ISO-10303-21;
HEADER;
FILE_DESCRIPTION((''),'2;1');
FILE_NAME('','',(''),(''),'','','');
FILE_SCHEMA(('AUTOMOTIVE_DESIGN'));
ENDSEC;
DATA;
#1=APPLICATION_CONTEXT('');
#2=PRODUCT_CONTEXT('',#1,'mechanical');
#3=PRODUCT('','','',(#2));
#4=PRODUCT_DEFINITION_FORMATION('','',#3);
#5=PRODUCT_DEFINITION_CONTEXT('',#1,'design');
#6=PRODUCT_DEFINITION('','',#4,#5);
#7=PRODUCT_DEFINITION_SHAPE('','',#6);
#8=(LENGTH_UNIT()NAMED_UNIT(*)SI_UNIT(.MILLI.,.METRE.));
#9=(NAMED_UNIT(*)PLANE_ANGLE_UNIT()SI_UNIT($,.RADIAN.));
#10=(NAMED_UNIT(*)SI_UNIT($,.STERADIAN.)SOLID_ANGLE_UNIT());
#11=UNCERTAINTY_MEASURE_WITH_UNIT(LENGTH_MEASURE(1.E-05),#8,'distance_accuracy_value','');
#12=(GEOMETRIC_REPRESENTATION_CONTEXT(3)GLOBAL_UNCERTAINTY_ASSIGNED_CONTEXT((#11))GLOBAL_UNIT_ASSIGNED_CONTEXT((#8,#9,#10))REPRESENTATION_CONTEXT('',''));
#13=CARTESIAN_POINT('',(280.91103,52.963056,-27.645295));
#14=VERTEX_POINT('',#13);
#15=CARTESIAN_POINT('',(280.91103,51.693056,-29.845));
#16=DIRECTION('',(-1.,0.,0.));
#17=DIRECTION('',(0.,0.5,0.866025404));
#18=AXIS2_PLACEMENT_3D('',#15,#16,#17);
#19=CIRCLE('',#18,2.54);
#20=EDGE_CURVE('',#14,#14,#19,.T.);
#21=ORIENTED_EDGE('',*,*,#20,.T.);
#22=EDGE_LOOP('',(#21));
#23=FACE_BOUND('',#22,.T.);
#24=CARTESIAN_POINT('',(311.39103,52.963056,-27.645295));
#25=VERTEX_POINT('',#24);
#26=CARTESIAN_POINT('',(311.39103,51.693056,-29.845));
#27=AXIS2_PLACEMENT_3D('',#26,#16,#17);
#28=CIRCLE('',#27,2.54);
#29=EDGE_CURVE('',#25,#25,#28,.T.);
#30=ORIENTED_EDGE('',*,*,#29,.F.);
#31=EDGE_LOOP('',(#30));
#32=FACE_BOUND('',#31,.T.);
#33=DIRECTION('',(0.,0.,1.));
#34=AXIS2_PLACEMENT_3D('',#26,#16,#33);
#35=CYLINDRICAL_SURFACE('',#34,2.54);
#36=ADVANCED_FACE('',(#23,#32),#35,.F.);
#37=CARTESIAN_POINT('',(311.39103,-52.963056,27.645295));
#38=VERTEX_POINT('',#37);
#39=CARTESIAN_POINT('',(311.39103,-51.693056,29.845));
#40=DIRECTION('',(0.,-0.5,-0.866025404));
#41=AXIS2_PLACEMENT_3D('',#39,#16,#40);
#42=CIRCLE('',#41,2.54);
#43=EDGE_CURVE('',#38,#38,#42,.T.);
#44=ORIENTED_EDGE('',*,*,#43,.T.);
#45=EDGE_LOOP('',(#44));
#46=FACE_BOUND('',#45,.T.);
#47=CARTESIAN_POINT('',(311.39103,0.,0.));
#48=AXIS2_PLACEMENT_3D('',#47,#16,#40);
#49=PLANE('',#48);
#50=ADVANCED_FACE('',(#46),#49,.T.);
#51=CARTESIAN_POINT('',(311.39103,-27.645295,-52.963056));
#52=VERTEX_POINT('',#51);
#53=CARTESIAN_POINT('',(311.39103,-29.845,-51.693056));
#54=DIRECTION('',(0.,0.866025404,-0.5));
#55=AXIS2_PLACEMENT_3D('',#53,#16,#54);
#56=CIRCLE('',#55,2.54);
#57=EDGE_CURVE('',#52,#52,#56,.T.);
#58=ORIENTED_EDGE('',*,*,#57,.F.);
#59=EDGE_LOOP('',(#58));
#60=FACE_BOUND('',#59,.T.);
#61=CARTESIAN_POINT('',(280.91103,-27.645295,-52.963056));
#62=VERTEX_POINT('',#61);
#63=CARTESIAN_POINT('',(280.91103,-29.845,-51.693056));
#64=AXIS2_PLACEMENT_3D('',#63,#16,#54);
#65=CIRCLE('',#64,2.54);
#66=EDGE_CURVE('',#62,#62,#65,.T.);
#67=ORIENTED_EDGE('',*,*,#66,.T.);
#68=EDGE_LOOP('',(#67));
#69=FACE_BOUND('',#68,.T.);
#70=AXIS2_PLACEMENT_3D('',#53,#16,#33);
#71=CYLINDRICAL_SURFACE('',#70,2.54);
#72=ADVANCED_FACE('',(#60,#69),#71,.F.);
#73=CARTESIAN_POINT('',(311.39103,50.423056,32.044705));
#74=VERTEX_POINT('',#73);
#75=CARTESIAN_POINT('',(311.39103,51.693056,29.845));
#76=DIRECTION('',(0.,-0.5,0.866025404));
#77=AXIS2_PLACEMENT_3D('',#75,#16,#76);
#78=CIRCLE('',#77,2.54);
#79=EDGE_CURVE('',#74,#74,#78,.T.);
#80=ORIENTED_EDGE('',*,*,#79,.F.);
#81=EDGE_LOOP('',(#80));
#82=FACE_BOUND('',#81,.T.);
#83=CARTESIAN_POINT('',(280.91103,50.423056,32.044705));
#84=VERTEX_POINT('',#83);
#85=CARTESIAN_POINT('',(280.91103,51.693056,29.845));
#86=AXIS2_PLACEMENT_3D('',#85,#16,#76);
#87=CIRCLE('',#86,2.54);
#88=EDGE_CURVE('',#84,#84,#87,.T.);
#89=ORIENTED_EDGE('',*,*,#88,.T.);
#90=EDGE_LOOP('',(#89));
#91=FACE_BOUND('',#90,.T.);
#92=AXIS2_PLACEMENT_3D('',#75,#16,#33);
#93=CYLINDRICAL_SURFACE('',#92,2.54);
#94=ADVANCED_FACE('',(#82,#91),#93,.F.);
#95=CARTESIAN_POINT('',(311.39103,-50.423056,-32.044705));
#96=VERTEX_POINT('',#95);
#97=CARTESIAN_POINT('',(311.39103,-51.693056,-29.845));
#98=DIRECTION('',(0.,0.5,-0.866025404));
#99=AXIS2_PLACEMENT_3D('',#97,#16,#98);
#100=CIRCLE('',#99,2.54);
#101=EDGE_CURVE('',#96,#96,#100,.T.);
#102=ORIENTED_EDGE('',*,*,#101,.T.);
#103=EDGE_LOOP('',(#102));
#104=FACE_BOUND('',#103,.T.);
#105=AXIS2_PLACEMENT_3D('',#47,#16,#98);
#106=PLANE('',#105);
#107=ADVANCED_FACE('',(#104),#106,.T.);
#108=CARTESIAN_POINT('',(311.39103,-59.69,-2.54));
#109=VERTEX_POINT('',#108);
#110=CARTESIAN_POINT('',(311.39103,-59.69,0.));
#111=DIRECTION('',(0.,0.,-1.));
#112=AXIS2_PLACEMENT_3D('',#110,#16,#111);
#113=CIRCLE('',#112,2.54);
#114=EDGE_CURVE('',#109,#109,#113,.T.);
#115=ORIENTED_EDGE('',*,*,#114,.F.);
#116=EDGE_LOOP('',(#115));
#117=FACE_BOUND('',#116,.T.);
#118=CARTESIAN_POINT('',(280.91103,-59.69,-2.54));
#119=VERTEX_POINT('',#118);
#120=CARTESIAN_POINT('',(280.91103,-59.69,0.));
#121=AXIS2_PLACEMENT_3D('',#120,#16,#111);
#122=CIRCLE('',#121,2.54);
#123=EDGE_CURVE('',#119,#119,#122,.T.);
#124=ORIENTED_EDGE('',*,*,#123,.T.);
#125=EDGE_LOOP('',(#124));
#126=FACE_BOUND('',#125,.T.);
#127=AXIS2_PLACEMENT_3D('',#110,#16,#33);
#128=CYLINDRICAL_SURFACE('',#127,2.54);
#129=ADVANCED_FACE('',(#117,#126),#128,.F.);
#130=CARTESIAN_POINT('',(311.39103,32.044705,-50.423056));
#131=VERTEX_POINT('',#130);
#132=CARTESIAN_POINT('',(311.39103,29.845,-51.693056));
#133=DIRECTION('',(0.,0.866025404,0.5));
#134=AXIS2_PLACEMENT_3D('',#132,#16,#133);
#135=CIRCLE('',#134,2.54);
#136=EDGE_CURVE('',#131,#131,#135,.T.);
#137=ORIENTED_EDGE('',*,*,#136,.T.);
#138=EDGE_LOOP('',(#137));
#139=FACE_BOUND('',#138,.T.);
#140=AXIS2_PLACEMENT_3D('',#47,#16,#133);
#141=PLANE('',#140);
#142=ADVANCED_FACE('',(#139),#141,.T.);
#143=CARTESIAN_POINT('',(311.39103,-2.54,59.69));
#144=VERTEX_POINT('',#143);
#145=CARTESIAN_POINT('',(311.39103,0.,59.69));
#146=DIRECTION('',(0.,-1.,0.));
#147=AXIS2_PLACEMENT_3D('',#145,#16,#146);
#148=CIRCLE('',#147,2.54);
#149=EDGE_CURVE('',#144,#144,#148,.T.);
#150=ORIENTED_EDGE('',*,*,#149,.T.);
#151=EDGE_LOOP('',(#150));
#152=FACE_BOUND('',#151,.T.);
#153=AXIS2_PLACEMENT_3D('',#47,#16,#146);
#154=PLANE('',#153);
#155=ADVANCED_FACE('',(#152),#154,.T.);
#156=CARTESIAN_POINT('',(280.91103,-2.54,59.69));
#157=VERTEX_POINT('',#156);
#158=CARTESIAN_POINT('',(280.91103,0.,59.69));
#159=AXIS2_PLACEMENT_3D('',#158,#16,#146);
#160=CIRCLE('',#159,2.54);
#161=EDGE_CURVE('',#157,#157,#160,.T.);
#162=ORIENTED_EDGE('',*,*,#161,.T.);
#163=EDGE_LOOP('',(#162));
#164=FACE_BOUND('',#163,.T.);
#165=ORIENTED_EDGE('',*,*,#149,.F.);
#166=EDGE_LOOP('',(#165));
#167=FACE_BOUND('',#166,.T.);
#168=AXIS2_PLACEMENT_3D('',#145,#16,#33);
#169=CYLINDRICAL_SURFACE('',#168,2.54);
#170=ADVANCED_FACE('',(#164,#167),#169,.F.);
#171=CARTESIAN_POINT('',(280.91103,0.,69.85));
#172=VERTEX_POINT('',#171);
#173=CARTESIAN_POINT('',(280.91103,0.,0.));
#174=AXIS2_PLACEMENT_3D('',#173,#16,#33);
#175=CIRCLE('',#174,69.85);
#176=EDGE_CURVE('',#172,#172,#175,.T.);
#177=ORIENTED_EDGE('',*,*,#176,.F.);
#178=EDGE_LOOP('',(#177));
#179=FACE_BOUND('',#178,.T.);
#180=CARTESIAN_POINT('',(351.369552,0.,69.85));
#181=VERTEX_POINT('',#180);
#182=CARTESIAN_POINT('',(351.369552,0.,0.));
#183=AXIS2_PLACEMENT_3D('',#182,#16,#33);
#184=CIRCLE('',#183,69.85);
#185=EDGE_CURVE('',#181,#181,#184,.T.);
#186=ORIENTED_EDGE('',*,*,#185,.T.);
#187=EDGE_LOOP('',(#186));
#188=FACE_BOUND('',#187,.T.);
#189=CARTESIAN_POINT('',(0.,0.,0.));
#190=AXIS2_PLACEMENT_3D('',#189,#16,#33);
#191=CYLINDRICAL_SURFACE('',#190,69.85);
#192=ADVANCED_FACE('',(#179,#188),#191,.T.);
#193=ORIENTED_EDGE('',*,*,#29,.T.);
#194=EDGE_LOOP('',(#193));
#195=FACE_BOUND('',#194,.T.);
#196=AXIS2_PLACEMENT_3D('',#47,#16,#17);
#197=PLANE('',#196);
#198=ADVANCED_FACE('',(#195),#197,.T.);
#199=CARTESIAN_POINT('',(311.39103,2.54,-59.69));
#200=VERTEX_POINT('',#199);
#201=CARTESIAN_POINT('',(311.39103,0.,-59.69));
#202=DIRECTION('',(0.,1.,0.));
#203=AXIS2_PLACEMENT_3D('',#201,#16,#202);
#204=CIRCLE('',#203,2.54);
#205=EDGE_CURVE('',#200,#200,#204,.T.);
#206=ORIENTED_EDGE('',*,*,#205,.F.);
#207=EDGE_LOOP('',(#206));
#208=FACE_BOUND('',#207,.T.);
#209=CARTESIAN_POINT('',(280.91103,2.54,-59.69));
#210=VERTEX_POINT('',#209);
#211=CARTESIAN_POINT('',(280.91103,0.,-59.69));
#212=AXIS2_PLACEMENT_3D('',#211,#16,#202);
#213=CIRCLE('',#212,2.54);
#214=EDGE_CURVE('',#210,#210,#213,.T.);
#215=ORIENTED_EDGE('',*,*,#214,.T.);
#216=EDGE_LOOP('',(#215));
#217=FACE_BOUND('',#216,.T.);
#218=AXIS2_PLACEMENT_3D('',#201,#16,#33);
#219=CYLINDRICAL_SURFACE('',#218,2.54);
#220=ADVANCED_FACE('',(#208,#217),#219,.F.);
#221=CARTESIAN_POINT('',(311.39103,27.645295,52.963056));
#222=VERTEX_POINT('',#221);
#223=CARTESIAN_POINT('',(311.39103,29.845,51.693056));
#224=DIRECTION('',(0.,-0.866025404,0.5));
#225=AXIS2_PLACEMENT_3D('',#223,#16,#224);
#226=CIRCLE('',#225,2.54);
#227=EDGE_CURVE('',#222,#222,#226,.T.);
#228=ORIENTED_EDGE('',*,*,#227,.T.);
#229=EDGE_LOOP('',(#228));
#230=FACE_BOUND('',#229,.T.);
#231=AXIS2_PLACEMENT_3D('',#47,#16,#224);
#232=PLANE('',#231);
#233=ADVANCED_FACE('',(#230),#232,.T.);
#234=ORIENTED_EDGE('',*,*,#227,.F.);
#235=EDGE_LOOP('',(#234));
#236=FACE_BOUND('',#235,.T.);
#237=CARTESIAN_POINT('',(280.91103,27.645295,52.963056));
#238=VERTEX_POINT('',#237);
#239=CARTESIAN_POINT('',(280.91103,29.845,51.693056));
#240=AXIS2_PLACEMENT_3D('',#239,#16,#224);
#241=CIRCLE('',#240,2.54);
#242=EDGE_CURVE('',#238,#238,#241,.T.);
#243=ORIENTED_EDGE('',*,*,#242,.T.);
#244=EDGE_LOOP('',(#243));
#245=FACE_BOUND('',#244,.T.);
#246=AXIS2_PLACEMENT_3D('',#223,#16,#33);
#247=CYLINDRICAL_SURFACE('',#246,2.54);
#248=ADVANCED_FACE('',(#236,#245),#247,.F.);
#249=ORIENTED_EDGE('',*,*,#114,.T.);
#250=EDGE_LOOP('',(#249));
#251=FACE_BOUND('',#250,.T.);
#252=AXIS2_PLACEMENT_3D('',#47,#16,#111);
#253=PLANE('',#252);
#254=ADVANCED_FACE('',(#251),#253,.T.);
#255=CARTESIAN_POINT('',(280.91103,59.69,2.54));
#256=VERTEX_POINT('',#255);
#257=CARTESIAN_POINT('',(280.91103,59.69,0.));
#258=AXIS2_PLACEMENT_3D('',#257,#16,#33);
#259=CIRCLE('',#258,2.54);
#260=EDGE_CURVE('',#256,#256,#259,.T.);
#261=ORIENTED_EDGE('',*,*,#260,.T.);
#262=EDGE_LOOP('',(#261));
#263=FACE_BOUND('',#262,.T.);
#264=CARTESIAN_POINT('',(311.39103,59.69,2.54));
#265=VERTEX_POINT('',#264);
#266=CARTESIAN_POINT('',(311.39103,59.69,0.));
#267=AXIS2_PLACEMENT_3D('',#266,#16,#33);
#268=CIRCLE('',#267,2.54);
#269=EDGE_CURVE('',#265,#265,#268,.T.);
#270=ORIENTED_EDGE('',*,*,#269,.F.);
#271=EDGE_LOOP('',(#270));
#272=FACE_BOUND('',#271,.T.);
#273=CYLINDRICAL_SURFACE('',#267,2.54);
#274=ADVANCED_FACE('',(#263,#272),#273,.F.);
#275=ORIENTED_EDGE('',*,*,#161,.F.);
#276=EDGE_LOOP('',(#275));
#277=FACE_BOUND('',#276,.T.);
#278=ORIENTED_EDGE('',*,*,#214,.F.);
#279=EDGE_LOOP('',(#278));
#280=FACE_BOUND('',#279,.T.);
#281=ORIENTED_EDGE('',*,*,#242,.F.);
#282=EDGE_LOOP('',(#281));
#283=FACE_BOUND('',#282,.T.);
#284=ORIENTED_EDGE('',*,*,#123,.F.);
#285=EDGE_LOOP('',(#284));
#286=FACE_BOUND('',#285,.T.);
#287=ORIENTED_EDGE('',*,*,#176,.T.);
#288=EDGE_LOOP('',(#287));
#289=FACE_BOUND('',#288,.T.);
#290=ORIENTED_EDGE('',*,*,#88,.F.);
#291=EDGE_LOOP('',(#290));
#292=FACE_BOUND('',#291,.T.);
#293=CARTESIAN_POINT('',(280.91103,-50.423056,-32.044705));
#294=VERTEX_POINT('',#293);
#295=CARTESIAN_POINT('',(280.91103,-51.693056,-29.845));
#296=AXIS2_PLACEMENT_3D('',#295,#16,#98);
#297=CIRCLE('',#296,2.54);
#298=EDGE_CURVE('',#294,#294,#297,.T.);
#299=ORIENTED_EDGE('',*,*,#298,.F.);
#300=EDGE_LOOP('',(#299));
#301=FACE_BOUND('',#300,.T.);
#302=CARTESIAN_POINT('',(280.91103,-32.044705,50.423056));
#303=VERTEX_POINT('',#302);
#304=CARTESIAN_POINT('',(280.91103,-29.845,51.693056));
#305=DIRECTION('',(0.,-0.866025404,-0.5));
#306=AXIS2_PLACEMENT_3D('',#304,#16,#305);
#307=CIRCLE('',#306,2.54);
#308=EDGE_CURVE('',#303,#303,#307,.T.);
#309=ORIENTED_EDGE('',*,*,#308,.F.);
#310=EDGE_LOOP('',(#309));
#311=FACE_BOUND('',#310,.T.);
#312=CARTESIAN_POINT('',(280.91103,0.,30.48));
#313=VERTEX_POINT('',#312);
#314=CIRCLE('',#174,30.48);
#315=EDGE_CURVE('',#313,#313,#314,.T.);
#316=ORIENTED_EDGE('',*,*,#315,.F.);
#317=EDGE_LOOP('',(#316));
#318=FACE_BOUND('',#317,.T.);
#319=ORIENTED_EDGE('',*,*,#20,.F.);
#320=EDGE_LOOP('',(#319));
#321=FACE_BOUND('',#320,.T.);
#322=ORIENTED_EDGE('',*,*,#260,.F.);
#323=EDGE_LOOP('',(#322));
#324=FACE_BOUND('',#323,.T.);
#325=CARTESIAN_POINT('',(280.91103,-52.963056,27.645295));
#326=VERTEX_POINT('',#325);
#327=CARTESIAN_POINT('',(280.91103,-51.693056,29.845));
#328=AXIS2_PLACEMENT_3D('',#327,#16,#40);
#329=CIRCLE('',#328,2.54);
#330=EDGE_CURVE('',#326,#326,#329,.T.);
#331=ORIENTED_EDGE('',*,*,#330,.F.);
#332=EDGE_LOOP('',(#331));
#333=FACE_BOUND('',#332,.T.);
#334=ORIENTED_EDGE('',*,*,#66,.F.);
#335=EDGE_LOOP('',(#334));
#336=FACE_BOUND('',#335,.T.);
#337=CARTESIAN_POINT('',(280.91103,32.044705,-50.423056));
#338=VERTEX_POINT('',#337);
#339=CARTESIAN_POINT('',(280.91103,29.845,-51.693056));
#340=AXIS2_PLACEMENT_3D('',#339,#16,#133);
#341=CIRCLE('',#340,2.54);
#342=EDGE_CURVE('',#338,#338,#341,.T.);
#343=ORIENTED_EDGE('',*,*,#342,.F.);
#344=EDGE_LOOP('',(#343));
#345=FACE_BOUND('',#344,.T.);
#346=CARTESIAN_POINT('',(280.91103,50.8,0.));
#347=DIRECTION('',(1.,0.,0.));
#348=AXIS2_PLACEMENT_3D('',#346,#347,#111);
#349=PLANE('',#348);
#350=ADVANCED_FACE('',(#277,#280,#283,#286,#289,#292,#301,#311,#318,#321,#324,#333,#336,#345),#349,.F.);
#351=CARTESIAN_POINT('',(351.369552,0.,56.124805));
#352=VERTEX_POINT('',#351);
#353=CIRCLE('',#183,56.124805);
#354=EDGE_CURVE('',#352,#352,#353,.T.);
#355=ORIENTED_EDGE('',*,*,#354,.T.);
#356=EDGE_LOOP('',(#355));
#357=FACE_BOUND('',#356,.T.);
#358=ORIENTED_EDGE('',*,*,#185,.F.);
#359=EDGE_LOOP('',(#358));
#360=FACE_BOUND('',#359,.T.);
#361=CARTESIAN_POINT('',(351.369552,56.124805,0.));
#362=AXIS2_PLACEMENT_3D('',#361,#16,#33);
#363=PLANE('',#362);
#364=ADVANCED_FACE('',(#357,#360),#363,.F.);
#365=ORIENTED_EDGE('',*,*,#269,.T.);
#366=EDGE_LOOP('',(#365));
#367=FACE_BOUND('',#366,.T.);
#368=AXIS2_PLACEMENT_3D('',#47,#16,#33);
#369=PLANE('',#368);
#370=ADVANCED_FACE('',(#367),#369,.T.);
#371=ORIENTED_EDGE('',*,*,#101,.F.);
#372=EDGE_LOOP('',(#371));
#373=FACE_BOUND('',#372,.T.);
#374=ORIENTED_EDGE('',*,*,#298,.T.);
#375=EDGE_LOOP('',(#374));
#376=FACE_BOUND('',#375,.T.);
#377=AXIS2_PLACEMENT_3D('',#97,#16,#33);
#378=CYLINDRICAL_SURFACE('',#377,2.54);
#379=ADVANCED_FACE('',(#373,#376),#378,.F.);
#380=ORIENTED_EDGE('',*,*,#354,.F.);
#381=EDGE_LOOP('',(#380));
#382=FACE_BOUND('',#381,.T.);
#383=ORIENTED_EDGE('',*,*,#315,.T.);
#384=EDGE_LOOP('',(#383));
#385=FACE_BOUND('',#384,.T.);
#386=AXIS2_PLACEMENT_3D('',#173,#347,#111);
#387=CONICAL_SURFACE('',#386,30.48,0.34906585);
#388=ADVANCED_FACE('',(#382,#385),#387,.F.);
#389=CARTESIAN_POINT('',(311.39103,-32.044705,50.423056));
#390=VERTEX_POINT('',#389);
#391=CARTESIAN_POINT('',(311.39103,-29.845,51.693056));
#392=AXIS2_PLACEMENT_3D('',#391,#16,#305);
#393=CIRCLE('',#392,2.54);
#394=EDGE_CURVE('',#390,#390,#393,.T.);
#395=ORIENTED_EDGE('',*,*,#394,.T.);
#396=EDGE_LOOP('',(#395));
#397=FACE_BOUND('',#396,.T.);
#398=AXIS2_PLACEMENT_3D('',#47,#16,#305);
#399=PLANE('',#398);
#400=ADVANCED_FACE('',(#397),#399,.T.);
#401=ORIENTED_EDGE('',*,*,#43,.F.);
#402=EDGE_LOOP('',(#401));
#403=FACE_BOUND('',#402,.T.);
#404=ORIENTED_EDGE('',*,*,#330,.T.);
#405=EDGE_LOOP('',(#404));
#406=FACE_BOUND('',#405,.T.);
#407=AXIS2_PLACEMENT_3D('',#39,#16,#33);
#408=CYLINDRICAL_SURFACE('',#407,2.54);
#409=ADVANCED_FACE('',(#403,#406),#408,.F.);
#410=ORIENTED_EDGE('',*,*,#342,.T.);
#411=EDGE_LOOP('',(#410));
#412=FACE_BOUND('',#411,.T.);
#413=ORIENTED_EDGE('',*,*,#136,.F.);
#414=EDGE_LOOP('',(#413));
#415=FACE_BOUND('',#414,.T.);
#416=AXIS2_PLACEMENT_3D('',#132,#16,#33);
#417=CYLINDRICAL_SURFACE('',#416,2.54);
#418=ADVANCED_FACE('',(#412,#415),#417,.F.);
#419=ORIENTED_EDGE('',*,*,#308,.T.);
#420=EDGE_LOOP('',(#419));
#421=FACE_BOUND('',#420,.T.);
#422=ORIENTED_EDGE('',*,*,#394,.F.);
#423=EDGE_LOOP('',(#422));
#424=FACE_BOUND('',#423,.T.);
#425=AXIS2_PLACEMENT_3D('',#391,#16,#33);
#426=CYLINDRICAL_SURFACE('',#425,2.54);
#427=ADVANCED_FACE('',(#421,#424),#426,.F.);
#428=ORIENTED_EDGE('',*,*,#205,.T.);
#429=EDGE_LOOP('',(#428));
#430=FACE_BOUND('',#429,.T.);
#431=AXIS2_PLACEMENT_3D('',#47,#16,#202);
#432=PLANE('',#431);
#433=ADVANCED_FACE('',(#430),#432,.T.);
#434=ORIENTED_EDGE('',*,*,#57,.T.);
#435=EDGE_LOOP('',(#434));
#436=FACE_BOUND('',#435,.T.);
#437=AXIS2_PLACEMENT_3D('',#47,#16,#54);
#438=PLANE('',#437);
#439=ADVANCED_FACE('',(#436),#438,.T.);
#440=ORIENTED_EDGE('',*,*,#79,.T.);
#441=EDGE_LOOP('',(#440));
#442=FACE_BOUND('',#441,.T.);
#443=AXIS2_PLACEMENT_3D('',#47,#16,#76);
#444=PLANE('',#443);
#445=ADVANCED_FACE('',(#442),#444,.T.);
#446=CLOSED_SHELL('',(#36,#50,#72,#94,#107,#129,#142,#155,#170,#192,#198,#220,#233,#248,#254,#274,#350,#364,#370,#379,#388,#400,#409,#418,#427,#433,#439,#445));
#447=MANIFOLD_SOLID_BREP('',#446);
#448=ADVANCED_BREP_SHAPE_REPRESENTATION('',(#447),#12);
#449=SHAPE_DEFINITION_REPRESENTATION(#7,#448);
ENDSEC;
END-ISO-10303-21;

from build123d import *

# Parameters (mm, degrees)
SKETCH4_R          = 2.54
CUT_EXTRUDE1_DEPTH = 30.48
CIRPATTERN1_COUNT  = 12


with BuildPart() as part:
    # Sketch1 → Revolve1 (revolve)
    with BuildSketch(Plane.XY):
        Polygon((280.911030354, 30.48), (351.369552102, 56.124804667), (351.369552102, 69.85), (280.911030354, 69.85), (280.911030354, 50.8), align=None)
    revolve(axis=Axis((0, 0, 0), (1, 0, 0)))

    # Sketch4 → Cut-Extrude1 (cut)
    with BuildSketch(Plane.ZY.offset(-280.911030354)):
        with Locations((0, 59.69)):
            Circle(SKETCH4_R)
    cut_extrude1 = extrude(amount=-CUT_EXTRUDE1_DEPTH, mode=Mode.SUBTRACT)

    # CirPattern1: Cut-Extrude1 ×12 about axis
    cirpattern1_axis = Axis((0, 0, 0), (1, 0, 0))
    for i in range(1, CIRPATTERN1_COUNT):
        add(cut_extrude1.rotate(cirpattern1_axis, i * 360 / CIRPATTERN1_COUNT), mode=Mode.SUBTRACT)


solid = part.part
